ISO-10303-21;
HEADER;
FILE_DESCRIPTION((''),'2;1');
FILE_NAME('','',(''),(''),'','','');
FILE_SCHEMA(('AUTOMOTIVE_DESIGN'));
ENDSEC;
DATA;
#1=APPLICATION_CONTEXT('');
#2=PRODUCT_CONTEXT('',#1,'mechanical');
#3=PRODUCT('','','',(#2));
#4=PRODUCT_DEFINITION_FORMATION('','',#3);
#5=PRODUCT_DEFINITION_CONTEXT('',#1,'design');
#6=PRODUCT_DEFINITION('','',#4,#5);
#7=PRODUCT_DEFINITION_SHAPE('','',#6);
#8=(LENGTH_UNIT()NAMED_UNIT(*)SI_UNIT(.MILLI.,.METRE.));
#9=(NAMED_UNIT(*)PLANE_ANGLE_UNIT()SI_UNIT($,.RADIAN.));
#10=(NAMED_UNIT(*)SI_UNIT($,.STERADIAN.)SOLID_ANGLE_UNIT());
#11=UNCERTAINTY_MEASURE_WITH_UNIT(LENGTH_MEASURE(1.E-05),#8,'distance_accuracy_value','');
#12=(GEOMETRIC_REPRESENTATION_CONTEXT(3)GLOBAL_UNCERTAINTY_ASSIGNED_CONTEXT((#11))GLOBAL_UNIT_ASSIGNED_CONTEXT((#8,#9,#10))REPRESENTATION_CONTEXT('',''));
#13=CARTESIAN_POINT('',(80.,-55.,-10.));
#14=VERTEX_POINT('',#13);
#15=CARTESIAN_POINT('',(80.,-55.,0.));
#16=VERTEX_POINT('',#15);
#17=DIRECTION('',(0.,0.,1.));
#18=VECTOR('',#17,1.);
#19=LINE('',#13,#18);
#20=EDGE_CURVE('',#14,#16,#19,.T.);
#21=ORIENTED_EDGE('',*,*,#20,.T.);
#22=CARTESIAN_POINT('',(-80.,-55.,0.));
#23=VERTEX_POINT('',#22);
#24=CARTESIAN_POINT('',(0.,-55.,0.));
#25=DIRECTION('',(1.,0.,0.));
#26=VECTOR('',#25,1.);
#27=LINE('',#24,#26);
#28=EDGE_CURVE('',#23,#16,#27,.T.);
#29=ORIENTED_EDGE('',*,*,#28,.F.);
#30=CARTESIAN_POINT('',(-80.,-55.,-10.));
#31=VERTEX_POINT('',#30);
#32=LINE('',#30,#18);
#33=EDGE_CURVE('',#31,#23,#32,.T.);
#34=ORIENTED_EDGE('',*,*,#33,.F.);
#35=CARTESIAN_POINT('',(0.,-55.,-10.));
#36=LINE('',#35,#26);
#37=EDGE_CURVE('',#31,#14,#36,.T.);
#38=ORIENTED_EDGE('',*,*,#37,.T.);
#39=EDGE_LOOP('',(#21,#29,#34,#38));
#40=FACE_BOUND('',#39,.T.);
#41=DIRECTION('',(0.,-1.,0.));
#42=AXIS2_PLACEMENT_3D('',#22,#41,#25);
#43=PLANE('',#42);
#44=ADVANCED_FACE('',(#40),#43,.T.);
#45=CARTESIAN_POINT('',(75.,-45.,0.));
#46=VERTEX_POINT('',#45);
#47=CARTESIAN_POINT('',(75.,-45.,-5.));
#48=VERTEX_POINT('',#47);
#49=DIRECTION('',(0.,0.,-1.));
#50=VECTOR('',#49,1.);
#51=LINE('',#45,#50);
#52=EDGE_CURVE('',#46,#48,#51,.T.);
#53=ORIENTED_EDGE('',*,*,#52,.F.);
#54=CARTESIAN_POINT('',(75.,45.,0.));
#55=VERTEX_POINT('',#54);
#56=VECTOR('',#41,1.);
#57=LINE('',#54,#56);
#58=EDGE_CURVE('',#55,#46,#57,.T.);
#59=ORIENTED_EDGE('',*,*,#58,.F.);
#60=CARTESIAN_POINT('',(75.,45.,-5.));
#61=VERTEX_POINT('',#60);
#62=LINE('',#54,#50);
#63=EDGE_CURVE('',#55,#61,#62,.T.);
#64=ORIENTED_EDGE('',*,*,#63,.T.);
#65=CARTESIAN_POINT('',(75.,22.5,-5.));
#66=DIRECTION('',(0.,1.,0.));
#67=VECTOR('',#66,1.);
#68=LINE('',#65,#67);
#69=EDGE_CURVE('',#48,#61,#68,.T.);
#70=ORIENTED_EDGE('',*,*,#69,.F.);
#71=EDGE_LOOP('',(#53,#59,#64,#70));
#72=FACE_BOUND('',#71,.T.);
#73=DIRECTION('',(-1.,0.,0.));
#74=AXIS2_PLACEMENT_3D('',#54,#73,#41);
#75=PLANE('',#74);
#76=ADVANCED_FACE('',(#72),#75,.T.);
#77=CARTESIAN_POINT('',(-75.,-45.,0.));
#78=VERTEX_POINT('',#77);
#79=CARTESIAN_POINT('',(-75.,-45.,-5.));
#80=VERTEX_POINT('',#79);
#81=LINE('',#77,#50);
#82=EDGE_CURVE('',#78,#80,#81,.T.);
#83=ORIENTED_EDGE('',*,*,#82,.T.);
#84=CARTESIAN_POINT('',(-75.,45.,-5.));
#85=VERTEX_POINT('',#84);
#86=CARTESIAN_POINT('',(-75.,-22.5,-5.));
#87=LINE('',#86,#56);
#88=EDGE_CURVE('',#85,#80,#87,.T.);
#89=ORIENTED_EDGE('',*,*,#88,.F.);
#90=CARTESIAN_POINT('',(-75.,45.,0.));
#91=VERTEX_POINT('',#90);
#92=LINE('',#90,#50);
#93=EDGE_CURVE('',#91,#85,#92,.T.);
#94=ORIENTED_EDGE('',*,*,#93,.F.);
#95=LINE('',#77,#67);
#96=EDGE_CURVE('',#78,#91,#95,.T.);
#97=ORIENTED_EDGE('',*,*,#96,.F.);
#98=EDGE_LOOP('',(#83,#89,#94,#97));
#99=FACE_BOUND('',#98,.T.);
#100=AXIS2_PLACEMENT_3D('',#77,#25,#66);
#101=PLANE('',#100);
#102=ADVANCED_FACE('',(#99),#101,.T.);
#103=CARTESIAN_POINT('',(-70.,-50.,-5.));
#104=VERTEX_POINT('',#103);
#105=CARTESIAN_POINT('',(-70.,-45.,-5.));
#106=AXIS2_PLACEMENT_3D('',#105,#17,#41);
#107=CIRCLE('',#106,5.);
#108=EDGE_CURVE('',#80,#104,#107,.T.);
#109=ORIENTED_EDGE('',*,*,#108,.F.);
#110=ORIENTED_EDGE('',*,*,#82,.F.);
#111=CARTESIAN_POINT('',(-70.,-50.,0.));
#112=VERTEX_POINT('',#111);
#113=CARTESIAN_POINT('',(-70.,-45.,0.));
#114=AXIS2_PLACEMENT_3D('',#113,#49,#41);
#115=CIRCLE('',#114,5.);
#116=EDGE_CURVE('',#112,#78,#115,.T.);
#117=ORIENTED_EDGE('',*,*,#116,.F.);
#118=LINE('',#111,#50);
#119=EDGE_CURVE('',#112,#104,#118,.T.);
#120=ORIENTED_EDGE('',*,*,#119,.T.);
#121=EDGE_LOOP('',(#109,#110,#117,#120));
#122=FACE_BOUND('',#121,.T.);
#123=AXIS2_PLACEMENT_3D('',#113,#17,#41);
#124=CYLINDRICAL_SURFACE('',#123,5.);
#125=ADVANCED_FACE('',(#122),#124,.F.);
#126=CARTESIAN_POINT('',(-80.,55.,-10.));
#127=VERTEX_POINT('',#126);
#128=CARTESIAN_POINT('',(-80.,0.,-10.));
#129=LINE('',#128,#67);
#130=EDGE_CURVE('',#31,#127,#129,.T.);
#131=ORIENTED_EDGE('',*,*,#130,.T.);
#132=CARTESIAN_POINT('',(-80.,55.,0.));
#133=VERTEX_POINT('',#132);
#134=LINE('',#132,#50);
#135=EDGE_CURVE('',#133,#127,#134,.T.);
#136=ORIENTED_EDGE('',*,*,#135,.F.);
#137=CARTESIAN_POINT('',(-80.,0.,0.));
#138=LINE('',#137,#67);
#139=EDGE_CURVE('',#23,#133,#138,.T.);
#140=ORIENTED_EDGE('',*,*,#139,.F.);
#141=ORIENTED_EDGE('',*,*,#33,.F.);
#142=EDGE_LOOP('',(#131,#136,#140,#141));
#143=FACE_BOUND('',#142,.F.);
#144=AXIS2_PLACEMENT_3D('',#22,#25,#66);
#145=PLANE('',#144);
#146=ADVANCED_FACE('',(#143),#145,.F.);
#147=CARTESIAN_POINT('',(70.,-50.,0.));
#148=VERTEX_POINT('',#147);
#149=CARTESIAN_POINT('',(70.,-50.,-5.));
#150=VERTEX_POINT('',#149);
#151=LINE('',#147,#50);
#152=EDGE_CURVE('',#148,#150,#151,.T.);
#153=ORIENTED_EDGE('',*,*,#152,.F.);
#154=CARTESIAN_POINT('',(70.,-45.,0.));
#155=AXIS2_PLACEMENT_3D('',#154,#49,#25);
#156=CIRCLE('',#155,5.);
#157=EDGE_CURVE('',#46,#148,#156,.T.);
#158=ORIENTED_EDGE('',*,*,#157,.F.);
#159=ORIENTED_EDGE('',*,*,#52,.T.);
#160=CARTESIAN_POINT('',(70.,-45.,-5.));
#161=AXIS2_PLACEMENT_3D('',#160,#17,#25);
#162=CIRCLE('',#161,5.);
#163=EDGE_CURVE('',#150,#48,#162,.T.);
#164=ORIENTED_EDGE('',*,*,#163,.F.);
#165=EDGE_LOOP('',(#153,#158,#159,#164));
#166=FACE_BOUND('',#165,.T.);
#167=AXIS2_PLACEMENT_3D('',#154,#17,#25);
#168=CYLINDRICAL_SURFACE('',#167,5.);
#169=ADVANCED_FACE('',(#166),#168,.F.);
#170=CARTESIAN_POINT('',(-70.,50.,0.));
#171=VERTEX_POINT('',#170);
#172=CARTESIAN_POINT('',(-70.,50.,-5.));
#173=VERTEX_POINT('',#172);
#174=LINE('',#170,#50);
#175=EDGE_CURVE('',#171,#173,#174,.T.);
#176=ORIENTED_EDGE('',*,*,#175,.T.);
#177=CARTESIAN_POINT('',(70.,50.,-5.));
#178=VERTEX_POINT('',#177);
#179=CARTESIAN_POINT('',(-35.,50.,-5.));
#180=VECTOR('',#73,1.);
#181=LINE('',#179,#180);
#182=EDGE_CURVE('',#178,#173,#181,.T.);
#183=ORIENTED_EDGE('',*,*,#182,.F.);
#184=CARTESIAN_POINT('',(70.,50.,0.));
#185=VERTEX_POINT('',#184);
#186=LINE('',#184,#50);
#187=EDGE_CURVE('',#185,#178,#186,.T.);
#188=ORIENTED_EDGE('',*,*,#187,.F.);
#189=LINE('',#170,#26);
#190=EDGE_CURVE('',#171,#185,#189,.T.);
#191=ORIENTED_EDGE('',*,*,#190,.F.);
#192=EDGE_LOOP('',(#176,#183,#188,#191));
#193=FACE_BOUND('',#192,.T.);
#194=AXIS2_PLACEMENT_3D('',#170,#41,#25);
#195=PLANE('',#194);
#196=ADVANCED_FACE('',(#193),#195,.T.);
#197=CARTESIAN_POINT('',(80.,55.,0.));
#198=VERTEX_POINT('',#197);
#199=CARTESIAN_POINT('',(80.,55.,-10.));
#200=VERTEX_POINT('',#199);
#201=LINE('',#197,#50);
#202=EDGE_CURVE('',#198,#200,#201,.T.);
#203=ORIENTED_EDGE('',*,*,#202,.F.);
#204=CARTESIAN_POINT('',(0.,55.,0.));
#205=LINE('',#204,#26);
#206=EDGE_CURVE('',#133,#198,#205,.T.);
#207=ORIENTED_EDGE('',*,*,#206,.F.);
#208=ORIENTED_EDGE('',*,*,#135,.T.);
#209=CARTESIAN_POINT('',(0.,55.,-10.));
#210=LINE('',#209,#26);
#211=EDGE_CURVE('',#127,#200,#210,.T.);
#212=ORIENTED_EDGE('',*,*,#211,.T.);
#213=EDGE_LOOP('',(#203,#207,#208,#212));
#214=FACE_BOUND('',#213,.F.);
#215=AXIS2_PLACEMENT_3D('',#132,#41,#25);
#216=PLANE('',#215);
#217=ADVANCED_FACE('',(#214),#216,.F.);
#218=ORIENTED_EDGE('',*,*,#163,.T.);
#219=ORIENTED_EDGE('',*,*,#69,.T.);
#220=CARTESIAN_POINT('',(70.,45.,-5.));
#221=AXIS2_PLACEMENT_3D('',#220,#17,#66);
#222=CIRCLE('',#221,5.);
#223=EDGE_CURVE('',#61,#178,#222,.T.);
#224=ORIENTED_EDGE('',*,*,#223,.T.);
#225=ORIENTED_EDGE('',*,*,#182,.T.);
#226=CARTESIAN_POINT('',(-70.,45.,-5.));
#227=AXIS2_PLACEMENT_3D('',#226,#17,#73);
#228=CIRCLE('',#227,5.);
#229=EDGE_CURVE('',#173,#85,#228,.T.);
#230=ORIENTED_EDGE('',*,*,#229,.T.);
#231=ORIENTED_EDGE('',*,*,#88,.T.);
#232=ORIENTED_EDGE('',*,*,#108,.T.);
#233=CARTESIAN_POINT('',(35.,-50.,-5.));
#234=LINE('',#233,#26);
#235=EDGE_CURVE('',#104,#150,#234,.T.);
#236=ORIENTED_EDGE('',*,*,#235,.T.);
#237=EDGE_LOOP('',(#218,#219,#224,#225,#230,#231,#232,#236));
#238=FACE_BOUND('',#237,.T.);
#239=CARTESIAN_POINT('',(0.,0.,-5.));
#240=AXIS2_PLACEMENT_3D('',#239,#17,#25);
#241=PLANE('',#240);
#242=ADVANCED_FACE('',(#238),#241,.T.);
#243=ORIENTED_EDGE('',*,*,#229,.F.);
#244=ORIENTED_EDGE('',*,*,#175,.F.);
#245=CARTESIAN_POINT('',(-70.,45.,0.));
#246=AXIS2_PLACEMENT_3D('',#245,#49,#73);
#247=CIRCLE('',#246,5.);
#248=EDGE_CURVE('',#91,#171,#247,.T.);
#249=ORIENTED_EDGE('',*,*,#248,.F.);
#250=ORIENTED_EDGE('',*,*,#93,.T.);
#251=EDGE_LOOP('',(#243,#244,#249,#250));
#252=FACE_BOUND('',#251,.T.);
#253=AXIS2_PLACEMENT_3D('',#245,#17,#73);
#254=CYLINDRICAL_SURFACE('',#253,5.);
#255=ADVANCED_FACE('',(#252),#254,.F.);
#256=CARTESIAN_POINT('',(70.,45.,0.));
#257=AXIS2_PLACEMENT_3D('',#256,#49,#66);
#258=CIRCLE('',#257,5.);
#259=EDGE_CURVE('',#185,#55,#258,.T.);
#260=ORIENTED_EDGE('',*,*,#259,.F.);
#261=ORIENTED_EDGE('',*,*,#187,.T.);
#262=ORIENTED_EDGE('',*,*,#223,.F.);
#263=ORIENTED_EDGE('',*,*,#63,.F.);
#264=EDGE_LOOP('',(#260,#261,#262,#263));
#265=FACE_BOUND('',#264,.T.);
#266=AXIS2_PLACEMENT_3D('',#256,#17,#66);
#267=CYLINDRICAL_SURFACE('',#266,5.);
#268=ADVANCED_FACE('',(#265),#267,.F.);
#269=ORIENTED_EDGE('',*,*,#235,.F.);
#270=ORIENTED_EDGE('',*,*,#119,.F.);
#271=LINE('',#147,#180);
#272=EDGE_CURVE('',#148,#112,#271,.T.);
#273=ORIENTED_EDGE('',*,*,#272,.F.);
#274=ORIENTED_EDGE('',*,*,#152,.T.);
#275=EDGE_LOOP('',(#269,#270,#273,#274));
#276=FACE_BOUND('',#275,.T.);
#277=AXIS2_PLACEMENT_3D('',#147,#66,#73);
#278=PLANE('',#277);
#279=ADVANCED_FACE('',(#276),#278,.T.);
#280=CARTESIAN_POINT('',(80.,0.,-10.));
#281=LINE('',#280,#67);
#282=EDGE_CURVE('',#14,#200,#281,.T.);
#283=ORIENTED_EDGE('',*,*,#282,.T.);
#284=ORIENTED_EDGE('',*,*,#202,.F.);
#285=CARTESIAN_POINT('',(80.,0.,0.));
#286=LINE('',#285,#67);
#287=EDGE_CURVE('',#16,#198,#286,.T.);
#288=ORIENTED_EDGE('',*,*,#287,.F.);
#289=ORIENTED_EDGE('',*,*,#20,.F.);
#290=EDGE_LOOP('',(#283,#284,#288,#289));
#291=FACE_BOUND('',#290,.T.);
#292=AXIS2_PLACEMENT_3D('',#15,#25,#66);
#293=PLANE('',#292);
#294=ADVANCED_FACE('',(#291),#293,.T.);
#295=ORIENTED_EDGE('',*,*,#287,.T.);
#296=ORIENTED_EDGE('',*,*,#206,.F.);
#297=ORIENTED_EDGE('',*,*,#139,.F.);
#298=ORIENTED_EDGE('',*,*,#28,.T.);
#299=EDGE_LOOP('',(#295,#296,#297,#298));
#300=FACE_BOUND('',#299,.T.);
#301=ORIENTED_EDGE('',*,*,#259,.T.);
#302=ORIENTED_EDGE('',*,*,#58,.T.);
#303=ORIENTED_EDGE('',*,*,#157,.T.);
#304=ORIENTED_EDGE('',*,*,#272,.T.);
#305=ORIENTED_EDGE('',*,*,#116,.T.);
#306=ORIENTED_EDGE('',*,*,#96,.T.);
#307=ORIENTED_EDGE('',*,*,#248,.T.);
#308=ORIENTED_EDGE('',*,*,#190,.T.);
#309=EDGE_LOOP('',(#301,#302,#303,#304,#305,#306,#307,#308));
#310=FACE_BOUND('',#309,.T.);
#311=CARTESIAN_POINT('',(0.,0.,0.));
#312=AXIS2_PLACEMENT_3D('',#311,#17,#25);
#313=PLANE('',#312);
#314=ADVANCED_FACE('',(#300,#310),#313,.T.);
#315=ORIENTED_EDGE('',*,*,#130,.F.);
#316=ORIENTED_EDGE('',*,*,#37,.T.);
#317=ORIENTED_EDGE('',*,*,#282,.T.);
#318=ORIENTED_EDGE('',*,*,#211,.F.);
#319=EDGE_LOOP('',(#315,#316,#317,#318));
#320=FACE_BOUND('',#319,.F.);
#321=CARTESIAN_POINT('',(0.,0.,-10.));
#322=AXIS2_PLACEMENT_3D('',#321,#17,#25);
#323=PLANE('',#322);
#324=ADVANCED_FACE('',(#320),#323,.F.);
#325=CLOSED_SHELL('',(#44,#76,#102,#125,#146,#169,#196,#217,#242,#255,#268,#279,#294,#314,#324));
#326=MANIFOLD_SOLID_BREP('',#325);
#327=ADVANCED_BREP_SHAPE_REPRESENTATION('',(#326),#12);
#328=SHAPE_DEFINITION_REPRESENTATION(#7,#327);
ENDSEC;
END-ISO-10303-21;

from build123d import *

# Parameters (mm, degrees)
F0_W     = 160
F0_H     = 110
F1_DEPTH = 10
F2_START = -5
F2_DEPTH = 5


with BuildPart() as f1:
    # F0 (on Top) → F1 (new body)
    with BuildSketch(Plane.XY):
        Rectangle(F0_W, F0_H)
        with BuildLine():
            ThreePointArc((-75, 45), (-73.5355339059, 48.5355339059), (-70, 50))
            Line((-70, 50), (70, 50))
            ThreePointArc((70, 50), (73.5355339059, 48.5355339059), (75, 45))
            Line((75, 45), (75, -45))
            ThreePointArc((75, -45), (73.5355339059, -48.5355339059), (70, -50))
            Line((70, -50), (-70, -50))
            ThreePointArc((-70, -50), (-73.5355339059, -48.5355339059), (-75, -45))
            Line((-75, -45), (-75, 45))
        make_face(mode=Mode.SUBTRACT)
    extrude(amount=-F1_DEPTH)

    # F0 (on Top) → F2 (join)
    with BuildSketch(Plane.XY.offset(F2_START)):
        Rectangle(F0_W, F0_H)
        with BuildLine():
            ThreePointArc((-75, 45), (-73.5355339059, 48.5355339059), (-70, 50))
            Line((-70, 50), (70, 50))
            ThreePointArc((70, 50), (73.5355339059, 48.5355339059), (75, 45))
            Line((75, 45), (75, -45))
            ThreePointArc((75, -45), (73.5355339059, -48.5355339059), (70, -50))
            Line((70, -50), (-70, -50))
            ThreePointArc((-70, -50), (-73.5355339059, -48.5355339059), (-75, -45))
            Line((-75, -45), (-75, 45))
        make_face(mode=Mode.SUBTRACT)
        with BuildLine():
            Line((70, 50), (-70, 50))
            ThreePointArc((-70, 50), (-73.5355339059, 48.5355339059), (-75, 45))
            Line((-75, 45), (-75, -45))
            ThreePointArc((-75, -45), (-73.5355339059, -48.5355339059), (-70, -50))
            Line((-70, -50), (70, -50))
            ThreePointArc((70, -50), (73.5355339059, -48.5355339059), (75, -45))
            Line((75, -45), (75, 45))
            ThreePointArc((75, 45), (73.5355339059, 48.5355339059), (70, 50))
        make_face()
    extrude(amount=-F2_DEPTH)


solid = f1.part
